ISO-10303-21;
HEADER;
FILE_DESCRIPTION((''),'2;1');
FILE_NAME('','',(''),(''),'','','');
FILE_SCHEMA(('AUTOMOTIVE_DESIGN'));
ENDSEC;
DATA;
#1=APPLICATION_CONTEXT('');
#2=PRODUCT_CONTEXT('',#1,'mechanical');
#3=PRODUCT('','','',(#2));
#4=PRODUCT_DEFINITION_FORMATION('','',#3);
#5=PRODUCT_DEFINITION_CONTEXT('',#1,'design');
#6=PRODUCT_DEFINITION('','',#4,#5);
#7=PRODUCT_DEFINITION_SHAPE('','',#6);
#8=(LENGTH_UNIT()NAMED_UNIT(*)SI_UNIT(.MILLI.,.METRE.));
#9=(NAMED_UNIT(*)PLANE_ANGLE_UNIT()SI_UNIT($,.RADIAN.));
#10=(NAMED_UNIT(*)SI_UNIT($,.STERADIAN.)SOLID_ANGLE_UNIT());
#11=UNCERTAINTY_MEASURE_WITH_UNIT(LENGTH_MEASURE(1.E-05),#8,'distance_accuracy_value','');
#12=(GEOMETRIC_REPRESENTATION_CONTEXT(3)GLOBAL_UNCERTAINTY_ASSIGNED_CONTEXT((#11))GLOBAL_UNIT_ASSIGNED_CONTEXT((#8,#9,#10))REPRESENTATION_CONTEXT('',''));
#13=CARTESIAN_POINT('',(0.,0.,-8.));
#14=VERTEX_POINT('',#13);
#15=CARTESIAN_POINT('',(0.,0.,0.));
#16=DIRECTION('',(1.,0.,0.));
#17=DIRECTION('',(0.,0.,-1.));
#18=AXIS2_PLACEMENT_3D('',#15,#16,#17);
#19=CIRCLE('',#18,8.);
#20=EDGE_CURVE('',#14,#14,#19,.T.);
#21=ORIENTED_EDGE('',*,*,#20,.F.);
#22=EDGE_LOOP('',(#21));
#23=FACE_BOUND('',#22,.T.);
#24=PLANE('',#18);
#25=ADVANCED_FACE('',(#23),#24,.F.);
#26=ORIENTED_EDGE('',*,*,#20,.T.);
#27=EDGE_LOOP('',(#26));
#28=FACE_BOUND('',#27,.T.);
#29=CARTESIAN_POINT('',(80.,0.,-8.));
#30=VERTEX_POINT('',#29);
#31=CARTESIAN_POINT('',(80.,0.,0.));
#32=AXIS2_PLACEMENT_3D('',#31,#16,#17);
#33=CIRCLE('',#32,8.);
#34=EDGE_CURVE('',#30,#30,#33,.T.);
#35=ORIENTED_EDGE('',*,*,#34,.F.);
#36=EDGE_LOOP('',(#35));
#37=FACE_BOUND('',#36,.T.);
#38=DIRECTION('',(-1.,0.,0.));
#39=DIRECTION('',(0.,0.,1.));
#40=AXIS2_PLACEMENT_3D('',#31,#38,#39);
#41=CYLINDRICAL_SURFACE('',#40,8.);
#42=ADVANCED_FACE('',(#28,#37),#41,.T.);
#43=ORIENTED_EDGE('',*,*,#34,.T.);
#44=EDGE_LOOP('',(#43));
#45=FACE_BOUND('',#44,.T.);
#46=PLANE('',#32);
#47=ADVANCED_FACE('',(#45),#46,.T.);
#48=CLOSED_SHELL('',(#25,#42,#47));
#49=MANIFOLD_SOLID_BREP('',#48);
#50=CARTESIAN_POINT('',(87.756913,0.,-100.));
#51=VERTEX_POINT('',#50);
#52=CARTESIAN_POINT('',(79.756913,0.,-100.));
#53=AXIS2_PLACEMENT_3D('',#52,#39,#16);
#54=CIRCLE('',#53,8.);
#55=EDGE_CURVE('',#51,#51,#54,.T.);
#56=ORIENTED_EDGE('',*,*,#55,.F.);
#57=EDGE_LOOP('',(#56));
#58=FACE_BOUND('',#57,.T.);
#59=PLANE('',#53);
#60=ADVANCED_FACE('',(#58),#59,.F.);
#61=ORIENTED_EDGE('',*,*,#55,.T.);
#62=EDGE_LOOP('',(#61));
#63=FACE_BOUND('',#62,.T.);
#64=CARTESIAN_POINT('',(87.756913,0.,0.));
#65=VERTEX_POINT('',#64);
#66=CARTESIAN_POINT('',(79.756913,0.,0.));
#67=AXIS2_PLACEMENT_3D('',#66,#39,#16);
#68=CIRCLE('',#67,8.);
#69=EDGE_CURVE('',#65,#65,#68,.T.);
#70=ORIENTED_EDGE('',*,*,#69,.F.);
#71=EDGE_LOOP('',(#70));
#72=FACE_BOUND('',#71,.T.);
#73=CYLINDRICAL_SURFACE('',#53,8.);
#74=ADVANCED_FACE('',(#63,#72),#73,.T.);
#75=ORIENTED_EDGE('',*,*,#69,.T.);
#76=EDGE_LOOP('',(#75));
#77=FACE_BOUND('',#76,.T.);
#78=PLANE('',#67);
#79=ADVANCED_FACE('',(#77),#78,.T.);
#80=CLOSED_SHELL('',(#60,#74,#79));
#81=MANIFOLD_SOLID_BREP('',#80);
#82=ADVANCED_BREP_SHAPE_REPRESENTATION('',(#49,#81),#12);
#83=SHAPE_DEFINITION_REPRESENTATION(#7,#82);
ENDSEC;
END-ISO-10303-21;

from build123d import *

# Parameters (mm, degrees)
SKIZZE3_R       = 8
MOTORARM_DEPTH  = 80
SKIZZE4_R       = 8
PENDELARM_DEPTH = 100


with BuildPart() as part:
    # Skizze3 → Motorarm (new body)
    with BuildSketch(Plane.YZ):
        with Locations(Location((0, 0, 0), (0, 0, 270))):
            Circle(SKIZZE3_R)
    extrude(amount=MOTORARM_DEPTH)


with BuildPart() as body_2:
    # Skizze4 → Pendelarm (new body)
    with BuildSketch(Plane(origin=(0, 0, 0), x_dir=(0, 1, 0), z_dir=(0, 0, 1))):
        with Locations(Location((0, -79.756912817, 0), (0, 0, 270))):
            Circle(SKIZZE4_R)
    extrude(amount=-PENDELARM_DEPTH)


solid = Compound([part.part, body_2.part])
